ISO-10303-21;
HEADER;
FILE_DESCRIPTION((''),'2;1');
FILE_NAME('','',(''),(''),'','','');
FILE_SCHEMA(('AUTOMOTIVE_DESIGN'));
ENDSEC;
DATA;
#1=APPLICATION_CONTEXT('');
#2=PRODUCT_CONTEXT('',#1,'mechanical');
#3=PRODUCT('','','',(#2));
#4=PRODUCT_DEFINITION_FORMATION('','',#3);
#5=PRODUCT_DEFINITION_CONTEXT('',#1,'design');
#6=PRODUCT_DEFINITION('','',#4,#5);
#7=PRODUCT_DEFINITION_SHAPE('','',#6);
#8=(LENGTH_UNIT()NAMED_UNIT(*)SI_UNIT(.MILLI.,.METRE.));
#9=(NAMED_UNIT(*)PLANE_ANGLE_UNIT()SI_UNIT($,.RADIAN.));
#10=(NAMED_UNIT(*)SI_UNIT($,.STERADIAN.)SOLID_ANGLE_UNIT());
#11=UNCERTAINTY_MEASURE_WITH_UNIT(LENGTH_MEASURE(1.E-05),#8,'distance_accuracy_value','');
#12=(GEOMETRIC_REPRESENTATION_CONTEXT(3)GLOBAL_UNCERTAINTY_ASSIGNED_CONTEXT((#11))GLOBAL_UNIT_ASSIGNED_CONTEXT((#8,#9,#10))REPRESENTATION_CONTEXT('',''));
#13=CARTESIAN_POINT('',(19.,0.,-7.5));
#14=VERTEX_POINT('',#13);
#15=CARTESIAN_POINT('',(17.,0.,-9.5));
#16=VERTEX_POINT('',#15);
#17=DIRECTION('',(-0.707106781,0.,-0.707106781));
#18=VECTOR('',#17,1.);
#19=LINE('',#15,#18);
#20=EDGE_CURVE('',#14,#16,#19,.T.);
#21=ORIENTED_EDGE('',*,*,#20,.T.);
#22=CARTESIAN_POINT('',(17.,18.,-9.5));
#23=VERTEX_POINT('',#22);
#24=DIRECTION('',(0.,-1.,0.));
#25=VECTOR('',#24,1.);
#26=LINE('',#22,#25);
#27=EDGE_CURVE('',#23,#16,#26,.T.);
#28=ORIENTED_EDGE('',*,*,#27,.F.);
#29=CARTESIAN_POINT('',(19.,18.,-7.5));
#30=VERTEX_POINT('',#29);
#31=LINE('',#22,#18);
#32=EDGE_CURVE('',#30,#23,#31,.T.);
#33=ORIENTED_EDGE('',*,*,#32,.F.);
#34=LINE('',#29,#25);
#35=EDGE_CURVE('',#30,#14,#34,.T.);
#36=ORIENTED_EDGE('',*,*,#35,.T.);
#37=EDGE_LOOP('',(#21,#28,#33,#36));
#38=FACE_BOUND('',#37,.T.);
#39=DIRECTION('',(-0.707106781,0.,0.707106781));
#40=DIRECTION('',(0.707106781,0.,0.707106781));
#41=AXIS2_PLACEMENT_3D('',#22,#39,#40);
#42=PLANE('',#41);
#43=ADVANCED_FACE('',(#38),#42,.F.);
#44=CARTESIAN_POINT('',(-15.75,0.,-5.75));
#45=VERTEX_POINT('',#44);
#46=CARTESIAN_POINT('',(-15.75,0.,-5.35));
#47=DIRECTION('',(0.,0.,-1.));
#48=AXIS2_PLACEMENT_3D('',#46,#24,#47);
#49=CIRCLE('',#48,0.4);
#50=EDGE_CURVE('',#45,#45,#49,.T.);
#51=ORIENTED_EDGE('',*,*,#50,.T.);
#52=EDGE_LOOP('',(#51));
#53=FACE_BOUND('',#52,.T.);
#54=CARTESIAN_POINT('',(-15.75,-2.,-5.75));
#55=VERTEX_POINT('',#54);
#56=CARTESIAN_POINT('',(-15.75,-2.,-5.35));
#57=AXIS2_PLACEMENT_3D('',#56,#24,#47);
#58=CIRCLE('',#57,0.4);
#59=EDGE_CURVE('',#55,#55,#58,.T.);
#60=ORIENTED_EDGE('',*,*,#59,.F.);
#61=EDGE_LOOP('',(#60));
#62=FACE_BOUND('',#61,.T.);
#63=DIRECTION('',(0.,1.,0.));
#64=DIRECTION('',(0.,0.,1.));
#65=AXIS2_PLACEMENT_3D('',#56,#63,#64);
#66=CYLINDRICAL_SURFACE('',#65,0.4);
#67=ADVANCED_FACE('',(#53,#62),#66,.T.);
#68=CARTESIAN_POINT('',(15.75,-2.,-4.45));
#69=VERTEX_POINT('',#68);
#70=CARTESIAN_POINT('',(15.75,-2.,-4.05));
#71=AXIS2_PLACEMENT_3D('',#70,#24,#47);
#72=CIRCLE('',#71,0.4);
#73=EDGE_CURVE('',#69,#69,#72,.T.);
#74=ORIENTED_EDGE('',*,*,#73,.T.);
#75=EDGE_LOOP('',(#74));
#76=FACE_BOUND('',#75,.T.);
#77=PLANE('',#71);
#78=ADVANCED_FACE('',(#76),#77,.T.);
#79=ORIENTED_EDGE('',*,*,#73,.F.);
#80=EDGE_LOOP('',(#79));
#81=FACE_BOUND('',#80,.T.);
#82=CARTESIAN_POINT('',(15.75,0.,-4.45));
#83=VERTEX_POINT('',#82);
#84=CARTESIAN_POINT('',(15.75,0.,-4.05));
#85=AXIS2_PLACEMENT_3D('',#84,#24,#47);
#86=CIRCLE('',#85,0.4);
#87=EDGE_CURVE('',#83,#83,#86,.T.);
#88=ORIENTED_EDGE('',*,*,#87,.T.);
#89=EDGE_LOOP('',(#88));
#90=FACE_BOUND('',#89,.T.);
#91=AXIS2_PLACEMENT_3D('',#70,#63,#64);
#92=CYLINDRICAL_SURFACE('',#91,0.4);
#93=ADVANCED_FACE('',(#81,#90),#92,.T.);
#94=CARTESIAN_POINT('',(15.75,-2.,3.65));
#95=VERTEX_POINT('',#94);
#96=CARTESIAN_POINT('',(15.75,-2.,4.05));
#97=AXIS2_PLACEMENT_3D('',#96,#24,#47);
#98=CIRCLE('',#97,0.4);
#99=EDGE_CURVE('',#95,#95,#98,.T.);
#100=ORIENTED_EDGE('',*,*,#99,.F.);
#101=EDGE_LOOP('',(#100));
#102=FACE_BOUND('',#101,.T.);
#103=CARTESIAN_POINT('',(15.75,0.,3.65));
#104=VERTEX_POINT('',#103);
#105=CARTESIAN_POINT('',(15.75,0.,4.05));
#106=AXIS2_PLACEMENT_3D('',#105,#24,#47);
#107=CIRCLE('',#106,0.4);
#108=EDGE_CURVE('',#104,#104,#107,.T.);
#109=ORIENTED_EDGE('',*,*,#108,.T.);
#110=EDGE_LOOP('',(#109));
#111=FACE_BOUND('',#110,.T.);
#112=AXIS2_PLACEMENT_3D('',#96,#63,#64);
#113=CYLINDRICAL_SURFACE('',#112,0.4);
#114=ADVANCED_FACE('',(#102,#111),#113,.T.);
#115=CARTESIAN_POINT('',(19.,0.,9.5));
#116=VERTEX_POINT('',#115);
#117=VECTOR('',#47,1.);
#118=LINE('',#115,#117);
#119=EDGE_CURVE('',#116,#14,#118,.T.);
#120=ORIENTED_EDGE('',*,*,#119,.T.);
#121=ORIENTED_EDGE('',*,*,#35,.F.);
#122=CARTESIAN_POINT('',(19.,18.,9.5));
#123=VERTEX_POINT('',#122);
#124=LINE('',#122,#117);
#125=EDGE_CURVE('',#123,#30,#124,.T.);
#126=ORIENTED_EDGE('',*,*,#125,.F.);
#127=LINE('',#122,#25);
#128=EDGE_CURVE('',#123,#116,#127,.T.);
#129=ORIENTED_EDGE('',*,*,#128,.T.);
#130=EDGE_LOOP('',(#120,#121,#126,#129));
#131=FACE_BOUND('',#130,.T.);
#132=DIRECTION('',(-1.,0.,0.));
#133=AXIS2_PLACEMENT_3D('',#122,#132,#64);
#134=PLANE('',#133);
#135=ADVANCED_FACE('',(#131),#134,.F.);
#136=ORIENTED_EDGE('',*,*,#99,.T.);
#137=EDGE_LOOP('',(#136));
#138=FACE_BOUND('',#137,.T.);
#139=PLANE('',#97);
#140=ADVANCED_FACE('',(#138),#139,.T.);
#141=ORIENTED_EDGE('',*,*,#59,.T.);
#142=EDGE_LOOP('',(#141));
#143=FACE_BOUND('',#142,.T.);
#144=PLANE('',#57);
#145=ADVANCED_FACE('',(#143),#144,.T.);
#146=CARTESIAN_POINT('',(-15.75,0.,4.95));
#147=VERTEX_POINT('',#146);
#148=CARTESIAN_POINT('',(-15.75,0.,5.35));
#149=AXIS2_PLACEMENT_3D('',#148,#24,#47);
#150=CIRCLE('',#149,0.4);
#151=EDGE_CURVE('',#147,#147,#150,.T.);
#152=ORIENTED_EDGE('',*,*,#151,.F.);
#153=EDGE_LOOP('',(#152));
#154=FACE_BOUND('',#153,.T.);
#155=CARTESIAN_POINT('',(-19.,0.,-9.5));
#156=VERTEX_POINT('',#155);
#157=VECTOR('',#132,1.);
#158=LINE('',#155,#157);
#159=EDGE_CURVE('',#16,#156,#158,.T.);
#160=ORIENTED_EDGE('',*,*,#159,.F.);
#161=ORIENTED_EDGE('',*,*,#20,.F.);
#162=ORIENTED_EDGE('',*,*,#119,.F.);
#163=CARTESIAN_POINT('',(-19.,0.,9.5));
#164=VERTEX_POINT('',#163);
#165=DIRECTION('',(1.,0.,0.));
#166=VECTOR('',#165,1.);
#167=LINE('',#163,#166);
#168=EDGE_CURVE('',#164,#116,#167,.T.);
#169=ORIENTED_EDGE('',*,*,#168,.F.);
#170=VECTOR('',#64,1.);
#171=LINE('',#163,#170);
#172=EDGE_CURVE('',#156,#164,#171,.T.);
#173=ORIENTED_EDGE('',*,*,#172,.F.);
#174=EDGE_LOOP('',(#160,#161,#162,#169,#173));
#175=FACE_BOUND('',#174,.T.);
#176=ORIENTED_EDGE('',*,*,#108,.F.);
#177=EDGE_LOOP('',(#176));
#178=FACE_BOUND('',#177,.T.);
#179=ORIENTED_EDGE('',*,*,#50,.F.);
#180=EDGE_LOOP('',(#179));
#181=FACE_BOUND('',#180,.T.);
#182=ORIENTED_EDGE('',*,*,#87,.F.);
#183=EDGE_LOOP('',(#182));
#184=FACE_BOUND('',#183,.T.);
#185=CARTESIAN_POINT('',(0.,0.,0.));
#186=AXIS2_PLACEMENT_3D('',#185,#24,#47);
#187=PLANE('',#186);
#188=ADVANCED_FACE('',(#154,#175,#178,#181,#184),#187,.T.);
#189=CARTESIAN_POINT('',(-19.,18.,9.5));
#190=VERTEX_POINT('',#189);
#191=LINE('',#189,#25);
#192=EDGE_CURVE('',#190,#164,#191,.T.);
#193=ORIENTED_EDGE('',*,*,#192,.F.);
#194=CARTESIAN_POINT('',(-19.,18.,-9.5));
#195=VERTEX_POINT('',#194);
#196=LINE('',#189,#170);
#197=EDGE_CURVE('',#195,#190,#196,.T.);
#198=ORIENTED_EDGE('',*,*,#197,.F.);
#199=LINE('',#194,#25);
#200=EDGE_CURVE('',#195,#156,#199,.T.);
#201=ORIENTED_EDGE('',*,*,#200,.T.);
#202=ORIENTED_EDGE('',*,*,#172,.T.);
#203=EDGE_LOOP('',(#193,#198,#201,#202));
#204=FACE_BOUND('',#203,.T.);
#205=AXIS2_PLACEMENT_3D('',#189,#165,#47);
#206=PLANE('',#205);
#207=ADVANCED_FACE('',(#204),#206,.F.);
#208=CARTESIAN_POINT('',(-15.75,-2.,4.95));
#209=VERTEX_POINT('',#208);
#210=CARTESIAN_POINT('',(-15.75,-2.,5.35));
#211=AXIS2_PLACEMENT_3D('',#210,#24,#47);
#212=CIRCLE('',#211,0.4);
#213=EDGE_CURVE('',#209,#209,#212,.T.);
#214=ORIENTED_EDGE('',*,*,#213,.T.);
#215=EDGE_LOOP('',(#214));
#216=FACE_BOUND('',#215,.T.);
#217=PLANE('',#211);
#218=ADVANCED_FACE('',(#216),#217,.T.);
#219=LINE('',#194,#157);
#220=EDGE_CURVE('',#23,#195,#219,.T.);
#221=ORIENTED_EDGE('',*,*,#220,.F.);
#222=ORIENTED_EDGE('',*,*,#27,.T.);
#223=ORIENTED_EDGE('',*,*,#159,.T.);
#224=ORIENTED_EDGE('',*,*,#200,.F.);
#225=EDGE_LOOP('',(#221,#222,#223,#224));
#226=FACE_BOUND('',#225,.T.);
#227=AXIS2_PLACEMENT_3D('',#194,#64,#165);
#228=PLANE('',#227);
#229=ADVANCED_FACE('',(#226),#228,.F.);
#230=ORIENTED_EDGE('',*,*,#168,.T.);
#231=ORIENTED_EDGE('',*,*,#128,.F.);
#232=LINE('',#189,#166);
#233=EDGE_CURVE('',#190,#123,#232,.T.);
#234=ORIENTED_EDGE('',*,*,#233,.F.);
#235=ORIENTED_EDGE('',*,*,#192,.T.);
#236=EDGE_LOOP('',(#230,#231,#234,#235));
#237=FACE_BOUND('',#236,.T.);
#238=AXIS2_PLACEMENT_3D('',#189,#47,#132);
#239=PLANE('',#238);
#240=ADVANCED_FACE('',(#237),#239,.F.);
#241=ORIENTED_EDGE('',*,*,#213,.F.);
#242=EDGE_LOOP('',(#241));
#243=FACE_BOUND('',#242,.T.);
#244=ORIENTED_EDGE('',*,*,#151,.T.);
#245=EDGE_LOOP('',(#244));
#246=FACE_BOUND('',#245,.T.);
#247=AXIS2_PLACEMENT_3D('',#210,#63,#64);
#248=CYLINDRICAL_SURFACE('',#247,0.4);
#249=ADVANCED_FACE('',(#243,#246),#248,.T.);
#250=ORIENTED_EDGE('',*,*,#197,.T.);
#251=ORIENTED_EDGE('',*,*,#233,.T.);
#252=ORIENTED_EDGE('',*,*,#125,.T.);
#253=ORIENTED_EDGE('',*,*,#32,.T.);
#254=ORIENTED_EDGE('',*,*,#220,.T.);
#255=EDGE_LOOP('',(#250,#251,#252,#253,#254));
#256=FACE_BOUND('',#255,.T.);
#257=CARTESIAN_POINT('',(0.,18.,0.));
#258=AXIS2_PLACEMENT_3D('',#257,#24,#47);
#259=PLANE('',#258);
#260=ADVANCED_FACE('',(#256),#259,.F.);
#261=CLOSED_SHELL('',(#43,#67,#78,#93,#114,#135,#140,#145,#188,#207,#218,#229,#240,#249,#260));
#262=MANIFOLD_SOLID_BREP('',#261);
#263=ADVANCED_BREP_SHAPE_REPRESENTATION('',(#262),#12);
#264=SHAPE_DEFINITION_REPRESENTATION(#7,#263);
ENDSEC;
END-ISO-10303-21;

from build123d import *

# Parameters (mm, degrees)
EXTRUDE_1_DEPTH = 18
SKETCH_2_R      = 0.4
EXTRUDE_2_DEPTH = 2


with BuildPart() as part:
    # Эскиз1 → Бобышка-Вытянуть1 (new body)
    with BuildSketch(Plane(origin=(0, 0, 0), x_dir=(1, 0, 0), z_dir=(0, 1, 0))):
        Polygon((19, -9.5), (19, 7.5), (17, 9.5), (-19, 9.5), (-19, -9.5), align=None)
    extrude(amount=EXTRUDE_1_DEPTH)

    # Эскиз2 → Бобышка-Вытянуть2 (add)
    with BuildSketch(Plane.XZ):
        with Locations(Location((-15.75, 5.35, 0), (0, 0, 270))):
            Circle(SKETCH_2_R)
        with Locations(Location((-15.75, -5.35, 0), (0, 0, 270))):
            Circle(SKETCH_2_R)
        with Locations(Location((15.75, 4.05, 0), (0, 0, 270))):
            Circle(SKETCH_2_R)
        with Locations(Location((15.75, -4.05, 0), (0, 0, 270))):
            Circle(SKETCH_2_R)
    extrude(amount=EXTRUDE_2_DEPTH)


solid = part.part
